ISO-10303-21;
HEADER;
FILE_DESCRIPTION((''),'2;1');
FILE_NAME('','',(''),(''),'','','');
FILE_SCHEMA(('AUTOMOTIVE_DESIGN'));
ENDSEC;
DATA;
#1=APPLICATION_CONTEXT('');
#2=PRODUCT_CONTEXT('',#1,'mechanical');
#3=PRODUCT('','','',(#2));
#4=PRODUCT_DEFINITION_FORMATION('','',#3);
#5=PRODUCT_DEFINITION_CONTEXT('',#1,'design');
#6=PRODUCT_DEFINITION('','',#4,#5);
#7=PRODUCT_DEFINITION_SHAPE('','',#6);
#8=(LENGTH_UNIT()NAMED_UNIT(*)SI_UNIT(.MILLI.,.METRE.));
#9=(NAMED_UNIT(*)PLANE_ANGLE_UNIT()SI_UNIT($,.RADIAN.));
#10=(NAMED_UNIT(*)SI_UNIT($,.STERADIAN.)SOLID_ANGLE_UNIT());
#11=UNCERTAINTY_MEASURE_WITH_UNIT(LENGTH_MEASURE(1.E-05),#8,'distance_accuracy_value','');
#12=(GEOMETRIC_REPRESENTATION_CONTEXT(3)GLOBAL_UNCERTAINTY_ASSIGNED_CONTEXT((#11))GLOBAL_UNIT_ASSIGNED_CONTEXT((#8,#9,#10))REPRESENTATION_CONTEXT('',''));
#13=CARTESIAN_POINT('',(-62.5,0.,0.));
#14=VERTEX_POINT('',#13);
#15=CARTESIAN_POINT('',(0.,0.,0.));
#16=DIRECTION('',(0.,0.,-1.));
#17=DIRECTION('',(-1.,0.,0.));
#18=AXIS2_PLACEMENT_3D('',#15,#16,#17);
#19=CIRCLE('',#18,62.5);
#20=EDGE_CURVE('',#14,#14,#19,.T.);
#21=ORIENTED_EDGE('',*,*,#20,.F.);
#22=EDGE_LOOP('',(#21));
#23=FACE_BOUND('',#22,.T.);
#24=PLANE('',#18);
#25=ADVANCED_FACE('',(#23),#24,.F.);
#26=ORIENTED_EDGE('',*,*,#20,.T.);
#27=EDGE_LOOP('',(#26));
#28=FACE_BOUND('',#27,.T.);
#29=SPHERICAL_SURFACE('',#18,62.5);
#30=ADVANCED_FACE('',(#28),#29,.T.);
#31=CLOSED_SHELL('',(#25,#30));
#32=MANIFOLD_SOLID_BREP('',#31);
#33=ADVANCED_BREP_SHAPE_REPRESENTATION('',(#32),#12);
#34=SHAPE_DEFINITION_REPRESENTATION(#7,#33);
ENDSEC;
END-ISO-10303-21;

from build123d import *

# Parameters (mm, degrees)
REVOLVE5_ANGLE = 180


with BuildPart() as part:
    # Sketch1 → Revolve5 (revolve)
    with BuildSketch(Plane.XY):
        with BuildLine():
            Line((0, -62.5), (0, 62.5))
            ThreePointArc((0, 62.5), (62.5, 0), (0, -62.5))
        make_face()
    revolve(axis=Axis((0, -62.5, 0), (0, 1, 0)), revolution_arc=REVOLVE5_ANGLE)


solid = part.part
